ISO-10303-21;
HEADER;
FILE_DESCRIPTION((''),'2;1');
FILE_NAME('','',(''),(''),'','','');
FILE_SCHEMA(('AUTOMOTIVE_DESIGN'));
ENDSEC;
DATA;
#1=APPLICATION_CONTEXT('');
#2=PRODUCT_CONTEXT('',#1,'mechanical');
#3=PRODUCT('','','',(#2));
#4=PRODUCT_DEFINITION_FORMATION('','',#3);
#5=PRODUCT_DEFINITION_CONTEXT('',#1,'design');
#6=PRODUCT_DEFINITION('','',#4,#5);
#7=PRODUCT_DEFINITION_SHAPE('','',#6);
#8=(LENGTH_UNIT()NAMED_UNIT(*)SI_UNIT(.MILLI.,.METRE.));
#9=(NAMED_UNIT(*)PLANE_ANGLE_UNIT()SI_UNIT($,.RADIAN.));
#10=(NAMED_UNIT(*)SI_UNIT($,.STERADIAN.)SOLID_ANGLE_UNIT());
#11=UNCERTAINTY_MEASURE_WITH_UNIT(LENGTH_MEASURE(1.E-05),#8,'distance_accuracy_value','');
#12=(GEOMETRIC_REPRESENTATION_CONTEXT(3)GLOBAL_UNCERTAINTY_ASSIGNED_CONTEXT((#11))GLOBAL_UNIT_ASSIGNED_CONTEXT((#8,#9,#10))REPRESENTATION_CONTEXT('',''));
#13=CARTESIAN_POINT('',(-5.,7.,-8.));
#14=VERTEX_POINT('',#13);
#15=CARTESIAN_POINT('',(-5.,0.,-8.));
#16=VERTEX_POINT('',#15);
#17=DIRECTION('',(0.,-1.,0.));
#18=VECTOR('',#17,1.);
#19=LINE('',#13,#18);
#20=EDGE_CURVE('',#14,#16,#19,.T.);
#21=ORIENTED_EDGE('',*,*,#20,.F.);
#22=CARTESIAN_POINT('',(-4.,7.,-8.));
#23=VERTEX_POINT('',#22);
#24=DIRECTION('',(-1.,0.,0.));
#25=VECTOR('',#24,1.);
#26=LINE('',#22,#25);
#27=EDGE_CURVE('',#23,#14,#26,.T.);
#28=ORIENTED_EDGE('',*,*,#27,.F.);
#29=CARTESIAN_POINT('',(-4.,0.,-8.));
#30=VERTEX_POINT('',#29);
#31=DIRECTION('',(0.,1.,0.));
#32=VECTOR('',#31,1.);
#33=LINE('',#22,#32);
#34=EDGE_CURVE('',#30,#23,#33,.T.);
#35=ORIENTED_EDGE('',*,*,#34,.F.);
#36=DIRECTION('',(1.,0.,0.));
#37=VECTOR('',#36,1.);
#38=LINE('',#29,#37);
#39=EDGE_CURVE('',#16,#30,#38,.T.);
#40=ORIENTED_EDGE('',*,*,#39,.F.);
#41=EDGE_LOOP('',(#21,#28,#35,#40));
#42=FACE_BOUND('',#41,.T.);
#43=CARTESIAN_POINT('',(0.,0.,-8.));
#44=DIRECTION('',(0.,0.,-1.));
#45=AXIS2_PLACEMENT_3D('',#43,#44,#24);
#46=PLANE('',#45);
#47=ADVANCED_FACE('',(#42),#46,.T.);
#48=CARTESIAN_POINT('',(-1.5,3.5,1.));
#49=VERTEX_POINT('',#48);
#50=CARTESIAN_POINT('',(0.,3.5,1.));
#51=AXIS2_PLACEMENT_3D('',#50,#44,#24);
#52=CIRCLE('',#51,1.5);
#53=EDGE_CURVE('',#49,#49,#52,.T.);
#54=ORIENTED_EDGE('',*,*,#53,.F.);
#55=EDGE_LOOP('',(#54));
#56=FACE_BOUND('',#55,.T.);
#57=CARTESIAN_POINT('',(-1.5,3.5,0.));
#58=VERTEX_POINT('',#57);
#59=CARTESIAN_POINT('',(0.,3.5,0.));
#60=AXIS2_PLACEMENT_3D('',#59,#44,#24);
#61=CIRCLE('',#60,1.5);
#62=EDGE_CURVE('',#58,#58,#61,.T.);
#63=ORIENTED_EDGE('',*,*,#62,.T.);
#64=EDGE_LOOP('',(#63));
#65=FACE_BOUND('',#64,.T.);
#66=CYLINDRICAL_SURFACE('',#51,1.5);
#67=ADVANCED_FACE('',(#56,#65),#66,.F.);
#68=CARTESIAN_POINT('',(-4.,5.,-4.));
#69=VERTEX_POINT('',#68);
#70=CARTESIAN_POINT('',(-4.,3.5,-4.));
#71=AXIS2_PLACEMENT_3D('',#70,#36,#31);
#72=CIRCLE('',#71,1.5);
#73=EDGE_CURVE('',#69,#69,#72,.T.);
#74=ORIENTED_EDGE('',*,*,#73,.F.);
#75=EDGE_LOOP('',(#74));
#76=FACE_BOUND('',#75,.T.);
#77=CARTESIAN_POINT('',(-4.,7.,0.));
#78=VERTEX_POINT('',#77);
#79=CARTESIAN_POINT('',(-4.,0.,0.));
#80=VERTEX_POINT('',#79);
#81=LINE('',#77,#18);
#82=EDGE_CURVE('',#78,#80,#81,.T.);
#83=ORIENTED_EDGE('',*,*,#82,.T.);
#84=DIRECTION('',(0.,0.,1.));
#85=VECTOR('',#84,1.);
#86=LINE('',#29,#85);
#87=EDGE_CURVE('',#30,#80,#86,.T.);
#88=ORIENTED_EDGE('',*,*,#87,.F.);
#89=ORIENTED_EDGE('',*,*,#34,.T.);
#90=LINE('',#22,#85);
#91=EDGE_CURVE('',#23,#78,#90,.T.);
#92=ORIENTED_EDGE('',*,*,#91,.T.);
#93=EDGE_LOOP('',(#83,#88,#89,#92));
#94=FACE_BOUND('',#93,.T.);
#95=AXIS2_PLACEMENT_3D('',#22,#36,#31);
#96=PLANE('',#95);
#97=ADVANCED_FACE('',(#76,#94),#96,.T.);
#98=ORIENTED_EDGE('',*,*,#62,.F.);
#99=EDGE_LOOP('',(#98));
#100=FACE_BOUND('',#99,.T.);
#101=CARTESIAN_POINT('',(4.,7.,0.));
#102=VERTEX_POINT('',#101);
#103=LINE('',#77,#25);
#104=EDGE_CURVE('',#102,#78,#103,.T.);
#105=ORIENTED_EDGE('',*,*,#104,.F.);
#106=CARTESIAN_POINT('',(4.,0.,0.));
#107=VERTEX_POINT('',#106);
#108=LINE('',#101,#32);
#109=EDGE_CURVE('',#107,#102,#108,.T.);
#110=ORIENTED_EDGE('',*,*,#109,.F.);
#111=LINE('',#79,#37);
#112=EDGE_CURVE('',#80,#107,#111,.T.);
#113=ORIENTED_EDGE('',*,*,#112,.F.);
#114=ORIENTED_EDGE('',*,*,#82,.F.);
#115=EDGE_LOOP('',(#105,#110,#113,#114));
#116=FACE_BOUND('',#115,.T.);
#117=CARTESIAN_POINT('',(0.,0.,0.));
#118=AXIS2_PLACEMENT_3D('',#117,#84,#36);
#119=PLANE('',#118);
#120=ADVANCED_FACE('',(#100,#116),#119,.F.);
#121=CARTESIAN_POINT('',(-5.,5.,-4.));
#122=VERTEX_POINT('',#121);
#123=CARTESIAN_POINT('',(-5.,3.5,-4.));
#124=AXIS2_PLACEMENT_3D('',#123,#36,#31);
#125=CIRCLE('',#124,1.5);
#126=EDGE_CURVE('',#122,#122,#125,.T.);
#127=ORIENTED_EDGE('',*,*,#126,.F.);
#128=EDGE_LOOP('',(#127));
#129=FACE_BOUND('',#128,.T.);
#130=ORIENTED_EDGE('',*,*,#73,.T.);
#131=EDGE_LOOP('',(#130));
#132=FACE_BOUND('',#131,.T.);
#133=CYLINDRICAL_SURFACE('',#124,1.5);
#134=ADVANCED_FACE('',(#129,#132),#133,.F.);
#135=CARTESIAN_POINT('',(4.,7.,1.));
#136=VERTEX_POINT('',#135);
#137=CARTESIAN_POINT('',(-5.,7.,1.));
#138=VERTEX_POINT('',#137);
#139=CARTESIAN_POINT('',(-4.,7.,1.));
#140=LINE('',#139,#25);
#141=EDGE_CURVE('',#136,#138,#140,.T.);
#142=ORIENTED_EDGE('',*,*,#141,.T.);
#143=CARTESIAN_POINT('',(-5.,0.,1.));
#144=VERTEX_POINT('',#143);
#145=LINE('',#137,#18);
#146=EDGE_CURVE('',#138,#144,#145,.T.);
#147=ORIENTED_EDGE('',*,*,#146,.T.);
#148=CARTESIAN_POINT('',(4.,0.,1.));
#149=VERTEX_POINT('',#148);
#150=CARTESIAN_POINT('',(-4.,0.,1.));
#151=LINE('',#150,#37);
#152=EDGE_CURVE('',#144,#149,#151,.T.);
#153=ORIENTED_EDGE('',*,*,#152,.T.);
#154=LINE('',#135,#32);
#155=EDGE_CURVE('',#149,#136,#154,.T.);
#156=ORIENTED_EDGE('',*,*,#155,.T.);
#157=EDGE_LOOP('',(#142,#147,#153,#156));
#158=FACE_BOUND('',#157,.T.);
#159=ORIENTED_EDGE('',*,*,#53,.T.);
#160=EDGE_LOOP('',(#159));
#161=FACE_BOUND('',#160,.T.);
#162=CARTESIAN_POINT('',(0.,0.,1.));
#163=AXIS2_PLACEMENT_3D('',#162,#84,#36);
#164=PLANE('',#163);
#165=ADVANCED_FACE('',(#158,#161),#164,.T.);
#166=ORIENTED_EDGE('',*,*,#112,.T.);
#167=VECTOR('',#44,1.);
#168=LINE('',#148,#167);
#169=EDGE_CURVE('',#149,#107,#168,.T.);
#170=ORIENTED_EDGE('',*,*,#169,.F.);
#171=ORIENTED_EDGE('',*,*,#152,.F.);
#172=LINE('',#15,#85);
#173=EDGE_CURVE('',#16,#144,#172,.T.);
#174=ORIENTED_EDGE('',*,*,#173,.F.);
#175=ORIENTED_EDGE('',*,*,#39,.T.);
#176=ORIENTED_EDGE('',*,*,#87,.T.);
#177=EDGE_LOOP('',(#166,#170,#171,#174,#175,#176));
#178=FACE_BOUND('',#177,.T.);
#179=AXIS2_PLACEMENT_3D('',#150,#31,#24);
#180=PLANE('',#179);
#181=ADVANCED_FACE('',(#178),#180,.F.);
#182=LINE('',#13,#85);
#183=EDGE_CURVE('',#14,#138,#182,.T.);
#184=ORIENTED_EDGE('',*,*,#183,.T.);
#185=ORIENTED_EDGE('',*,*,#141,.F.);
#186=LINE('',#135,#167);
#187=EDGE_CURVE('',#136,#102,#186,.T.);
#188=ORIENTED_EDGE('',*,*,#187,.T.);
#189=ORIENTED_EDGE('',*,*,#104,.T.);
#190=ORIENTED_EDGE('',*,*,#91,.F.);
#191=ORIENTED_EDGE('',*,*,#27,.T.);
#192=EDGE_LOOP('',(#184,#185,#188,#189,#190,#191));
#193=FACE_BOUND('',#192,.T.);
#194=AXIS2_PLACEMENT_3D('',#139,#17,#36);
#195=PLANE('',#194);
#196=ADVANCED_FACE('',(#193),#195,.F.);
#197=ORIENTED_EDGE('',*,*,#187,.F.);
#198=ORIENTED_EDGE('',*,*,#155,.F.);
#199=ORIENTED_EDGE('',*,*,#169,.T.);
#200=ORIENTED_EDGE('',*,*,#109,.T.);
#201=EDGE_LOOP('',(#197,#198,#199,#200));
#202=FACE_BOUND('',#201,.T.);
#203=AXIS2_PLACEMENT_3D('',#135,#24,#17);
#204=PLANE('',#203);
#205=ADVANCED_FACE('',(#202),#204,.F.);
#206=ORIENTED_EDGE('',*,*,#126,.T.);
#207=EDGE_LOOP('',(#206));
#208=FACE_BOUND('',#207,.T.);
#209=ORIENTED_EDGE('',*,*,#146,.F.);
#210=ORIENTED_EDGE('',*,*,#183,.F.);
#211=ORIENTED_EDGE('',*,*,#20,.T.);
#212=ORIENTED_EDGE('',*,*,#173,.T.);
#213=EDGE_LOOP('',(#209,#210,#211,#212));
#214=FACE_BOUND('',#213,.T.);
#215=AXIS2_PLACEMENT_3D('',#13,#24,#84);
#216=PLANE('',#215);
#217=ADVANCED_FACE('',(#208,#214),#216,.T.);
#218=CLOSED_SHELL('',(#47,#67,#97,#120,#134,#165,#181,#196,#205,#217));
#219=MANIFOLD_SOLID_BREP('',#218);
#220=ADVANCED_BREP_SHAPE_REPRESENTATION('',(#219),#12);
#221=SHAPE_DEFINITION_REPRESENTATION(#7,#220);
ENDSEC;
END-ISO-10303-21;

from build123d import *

# Parameters (mm, degrees)
ESQUISSE1_W             = 8
ESQUISSE1_H             = 7
BOSS_EXTRU_1_DEPTH      = 1
ESQUISSE2_W             = 1
ESQUISSE2_H             = 7
BOSS_EXTRU_2_DEPTH      = 9
ESQUISSE3_R             = 1.5
ENL_V_MAT_EXTRU_1_DEPTH = 14.304134696
ESQUISSE4_R             = 1.5
ENL_V_MAT_EXTRU_2_DEPTH = 12.747340124


with BuildPart() as part:
    # Esquisse1 → Boss.-Extru.1 (new body)
    with BuildSketch(Plane.XY):
        with Locations((0, 3.5)):
            Rectangle(ESQUISSE1_W, ESQUISSE1_H)
    extrude(amount=BOSS_EXTRU_1_DEPTH)

    # Esquisse2 → Boss.-Extru.2 (add)
    with BuildSketch(Plane.XY.offset(1)):
        with Locations((-4.5, 3.5)):
            Rectangle(ESQUISSE2_W, ESQUISSE2_H)
    extrude(amount=-BOSS_EXTRU_2_DEPTH)

    # Esquisse3 → Enlèv. mat.-Extru.1 (cut, through all)
    with BuildSketch(Plane(origin=(-4, 0, 0), x_dir=(0, 0, -1), z_dir=(1, 0, 0))):
        with Locations(Location((4, 3.5, 0), (0, 0, 90))):
            Circle(ESQUISSE3_R)
    extrude(amount=-ENL_V_MAT_EXTRU_1_DEPTH, mode=Mode.SUBTRACT)

    # Esquisse4 → Enlèv. mat.-Extru.2 (cut, through all)
    with BuildSketch(Plane(origin=(0, 0, 0), x_dir=(-1, 0, 0), z_dir=(0, 0, -1))):
        with Locations((0, 3.5)):
            Circle(ESQUISSE4_R)
    extrude(amount=-ENL_V_MAT_EXTRU_2_DEPTH, mode=Mode.SUBTRACT)


solid = part.part
